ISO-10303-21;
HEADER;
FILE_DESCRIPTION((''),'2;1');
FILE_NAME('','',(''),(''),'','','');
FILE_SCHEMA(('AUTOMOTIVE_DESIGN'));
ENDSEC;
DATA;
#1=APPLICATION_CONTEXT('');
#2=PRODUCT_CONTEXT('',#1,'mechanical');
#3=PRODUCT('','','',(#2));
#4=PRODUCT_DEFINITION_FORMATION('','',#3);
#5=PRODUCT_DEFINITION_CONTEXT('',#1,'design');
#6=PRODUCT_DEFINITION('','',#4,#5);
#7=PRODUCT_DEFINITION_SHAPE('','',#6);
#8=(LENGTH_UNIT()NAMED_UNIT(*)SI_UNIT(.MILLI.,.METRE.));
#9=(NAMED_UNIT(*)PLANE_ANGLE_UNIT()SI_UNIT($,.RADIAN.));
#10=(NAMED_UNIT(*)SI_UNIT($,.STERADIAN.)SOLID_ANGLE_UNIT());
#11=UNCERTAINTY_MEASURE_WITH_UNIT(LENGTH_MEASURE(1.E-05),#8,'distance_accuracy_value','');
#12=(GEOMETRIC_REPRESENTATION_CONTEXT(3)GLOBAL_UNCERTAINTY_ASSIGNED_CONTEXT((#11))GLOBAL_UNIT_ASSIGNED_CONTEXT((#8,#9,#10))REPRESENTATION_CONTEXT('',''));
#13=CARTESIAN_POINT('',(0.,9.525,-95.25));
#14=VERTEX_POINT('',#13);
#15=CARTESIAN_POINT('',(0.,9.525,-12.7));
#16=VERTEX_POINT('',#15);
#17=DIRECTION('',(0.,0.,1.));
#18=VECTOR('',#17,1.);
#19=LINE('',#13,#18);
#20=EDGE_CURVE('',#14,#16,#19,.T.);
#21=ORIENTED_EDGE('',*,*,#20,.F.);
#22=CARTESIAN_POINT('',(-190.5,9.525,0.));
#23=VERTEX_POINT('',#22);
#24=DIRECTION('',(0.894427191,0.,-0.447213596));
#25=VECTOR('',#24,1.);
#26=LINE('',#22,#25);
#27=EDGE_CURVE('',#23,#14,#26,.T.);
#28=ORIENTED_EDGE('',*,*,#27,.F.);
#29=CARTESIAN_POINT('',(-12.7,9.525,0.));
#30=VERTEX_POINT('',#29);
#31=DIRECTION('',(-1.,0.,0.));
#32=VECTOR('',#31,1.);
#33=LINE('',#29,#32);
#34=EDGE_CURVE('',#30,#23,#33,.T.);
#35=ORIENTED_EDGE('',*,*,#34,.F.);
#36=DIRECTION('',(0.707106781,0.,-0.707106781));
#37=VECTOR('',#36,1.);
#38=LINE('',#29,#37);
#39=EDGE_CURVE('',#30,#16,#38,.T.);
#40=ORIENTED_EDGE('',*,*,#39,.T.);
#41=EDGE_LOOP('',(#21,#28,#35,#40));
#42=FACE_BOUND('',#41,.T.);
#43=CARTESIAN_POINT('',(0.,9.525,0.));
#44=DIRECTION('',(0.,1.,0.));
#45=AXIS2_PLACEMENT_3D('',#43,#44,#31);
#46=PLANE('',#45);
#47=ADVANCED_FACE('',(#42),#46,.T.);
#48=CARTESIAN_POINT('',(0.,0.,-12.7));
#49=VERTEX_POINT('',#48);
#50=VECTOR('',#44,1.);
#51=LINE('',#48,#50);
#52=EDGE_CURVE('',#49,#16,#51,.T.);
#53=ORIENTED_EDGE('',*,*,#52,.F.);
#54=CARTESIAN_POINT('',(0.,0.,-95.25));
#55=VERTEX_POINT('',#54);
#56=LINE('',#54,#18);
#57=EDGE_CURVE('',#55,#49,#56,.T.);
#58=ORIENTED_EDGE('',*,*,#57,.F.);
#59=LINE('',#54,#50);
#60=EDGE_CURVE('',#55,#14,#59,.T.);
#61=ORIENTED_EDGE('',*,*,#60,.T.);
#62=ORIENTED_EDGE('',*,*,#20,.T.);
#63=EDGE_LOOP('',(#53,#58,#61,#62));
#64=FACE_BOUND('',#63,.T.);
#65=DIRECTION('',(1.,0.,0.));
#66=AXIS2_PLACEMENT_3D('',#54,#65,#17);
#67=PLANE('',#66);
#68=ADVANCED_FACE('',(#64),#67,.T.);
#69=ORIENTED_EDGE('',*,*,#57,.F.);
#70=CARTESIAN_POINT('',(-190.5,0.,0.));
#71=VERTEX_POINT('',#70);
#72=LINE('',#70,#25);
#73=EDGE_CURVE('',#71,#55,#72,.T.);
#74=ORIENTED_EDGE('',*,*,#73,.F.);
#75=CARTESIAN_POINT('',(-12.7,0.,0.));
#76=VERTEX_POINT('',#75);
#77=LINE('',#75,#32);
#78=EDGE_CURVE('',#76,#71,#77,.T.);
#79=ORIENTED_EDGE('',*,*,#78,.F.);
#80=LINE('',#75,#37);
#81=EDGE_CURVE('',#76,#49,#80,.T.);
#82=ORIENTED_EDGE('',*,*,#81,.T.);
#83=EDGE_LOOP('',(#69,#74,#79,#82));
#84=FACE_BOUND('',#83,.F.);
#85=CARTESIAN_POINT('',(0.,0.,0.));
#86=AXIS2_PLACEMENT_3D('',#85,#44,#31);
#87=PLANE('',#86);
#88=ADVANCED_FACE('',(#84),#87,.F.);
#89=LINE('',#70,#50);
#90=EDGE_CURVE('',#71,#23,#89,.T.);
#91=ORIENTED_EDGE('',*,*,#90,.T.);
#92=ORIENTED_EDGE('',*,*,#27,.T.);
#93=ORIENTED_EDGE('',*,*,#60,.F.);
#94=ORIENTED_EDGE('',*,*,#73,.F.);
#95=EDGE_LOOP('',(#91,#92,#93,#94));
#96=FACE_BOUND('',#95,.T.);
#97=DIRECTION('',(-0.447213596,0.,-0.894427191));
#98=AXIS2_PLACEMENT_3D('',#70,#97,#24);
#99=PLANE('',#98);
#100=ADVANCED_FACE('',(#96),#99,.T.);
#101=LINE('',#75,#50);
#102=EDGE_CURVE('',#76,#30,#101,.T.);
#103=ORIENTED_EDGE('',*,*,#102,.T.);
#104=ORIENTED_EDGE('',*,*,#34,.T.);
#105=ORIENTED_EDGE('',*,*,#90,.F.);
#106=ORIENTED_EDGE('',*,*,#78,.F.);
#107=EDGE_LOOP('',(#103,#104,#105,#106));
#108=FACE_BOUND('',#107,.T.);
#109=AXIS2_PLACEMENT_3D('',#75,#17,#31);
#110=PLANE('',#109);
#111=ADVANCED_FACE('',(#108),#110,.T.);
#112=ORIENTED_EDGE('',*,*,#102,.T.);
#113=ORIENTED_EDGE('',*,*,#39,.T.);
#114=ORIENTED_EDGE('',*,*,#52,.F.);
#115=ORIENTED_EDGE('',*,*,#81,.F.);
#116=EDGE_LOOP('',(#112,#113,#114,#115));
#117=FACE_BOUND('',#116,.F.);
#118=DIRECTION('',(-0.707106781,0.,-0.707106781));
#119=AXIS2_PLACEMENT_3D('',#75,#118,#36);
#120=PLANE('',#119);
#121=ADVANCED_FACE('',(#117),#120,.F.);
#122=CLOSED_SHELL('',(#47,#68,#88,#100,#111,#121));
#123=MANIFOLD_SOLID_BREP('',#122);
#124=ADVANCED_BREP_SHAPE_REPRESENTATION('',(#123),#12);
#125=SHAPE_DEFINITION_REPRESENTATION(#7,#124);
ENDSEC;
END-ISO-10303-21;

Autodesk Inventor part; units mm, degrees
ref_plane "YZ Plane" through (0, 0, 0) normal (1, 0, 0) x (0, 1, 0)
ref_plane "XZ Plane" through (0, 0, 0) normal (0, 1, 0) x (-1, 0, 0)
ref_plane "XY Plane" through (0, 0, 0) normal (0, 0, 1) x (1, 0, 0)
sketch "Sketch1" plane through (0, 0, 0) normal (0, 1, 0) x (-1, 0, 0)
  line L0 (12.7, 0) -> (190.5, 0)
  line L1 (190.5, 0) -> (0, -95.25)
  line L2 (0, -95.25) -> (0, -12.7)
  line L3 (12.7, 0) -> (0, -12.7)
  point P0 (0, 0)
  dimension "d0" = 190.5
  dimension "d1" = 95.25
  dimension "d4" = 12.7
  dimension "d5" = 12.7
extrude "Extrusion1" add sketch "Sketch1" along normal blind 9.525
properties part number "21015-22-1-2- Floor Plate Gussets" material "Steel, Carbon"
